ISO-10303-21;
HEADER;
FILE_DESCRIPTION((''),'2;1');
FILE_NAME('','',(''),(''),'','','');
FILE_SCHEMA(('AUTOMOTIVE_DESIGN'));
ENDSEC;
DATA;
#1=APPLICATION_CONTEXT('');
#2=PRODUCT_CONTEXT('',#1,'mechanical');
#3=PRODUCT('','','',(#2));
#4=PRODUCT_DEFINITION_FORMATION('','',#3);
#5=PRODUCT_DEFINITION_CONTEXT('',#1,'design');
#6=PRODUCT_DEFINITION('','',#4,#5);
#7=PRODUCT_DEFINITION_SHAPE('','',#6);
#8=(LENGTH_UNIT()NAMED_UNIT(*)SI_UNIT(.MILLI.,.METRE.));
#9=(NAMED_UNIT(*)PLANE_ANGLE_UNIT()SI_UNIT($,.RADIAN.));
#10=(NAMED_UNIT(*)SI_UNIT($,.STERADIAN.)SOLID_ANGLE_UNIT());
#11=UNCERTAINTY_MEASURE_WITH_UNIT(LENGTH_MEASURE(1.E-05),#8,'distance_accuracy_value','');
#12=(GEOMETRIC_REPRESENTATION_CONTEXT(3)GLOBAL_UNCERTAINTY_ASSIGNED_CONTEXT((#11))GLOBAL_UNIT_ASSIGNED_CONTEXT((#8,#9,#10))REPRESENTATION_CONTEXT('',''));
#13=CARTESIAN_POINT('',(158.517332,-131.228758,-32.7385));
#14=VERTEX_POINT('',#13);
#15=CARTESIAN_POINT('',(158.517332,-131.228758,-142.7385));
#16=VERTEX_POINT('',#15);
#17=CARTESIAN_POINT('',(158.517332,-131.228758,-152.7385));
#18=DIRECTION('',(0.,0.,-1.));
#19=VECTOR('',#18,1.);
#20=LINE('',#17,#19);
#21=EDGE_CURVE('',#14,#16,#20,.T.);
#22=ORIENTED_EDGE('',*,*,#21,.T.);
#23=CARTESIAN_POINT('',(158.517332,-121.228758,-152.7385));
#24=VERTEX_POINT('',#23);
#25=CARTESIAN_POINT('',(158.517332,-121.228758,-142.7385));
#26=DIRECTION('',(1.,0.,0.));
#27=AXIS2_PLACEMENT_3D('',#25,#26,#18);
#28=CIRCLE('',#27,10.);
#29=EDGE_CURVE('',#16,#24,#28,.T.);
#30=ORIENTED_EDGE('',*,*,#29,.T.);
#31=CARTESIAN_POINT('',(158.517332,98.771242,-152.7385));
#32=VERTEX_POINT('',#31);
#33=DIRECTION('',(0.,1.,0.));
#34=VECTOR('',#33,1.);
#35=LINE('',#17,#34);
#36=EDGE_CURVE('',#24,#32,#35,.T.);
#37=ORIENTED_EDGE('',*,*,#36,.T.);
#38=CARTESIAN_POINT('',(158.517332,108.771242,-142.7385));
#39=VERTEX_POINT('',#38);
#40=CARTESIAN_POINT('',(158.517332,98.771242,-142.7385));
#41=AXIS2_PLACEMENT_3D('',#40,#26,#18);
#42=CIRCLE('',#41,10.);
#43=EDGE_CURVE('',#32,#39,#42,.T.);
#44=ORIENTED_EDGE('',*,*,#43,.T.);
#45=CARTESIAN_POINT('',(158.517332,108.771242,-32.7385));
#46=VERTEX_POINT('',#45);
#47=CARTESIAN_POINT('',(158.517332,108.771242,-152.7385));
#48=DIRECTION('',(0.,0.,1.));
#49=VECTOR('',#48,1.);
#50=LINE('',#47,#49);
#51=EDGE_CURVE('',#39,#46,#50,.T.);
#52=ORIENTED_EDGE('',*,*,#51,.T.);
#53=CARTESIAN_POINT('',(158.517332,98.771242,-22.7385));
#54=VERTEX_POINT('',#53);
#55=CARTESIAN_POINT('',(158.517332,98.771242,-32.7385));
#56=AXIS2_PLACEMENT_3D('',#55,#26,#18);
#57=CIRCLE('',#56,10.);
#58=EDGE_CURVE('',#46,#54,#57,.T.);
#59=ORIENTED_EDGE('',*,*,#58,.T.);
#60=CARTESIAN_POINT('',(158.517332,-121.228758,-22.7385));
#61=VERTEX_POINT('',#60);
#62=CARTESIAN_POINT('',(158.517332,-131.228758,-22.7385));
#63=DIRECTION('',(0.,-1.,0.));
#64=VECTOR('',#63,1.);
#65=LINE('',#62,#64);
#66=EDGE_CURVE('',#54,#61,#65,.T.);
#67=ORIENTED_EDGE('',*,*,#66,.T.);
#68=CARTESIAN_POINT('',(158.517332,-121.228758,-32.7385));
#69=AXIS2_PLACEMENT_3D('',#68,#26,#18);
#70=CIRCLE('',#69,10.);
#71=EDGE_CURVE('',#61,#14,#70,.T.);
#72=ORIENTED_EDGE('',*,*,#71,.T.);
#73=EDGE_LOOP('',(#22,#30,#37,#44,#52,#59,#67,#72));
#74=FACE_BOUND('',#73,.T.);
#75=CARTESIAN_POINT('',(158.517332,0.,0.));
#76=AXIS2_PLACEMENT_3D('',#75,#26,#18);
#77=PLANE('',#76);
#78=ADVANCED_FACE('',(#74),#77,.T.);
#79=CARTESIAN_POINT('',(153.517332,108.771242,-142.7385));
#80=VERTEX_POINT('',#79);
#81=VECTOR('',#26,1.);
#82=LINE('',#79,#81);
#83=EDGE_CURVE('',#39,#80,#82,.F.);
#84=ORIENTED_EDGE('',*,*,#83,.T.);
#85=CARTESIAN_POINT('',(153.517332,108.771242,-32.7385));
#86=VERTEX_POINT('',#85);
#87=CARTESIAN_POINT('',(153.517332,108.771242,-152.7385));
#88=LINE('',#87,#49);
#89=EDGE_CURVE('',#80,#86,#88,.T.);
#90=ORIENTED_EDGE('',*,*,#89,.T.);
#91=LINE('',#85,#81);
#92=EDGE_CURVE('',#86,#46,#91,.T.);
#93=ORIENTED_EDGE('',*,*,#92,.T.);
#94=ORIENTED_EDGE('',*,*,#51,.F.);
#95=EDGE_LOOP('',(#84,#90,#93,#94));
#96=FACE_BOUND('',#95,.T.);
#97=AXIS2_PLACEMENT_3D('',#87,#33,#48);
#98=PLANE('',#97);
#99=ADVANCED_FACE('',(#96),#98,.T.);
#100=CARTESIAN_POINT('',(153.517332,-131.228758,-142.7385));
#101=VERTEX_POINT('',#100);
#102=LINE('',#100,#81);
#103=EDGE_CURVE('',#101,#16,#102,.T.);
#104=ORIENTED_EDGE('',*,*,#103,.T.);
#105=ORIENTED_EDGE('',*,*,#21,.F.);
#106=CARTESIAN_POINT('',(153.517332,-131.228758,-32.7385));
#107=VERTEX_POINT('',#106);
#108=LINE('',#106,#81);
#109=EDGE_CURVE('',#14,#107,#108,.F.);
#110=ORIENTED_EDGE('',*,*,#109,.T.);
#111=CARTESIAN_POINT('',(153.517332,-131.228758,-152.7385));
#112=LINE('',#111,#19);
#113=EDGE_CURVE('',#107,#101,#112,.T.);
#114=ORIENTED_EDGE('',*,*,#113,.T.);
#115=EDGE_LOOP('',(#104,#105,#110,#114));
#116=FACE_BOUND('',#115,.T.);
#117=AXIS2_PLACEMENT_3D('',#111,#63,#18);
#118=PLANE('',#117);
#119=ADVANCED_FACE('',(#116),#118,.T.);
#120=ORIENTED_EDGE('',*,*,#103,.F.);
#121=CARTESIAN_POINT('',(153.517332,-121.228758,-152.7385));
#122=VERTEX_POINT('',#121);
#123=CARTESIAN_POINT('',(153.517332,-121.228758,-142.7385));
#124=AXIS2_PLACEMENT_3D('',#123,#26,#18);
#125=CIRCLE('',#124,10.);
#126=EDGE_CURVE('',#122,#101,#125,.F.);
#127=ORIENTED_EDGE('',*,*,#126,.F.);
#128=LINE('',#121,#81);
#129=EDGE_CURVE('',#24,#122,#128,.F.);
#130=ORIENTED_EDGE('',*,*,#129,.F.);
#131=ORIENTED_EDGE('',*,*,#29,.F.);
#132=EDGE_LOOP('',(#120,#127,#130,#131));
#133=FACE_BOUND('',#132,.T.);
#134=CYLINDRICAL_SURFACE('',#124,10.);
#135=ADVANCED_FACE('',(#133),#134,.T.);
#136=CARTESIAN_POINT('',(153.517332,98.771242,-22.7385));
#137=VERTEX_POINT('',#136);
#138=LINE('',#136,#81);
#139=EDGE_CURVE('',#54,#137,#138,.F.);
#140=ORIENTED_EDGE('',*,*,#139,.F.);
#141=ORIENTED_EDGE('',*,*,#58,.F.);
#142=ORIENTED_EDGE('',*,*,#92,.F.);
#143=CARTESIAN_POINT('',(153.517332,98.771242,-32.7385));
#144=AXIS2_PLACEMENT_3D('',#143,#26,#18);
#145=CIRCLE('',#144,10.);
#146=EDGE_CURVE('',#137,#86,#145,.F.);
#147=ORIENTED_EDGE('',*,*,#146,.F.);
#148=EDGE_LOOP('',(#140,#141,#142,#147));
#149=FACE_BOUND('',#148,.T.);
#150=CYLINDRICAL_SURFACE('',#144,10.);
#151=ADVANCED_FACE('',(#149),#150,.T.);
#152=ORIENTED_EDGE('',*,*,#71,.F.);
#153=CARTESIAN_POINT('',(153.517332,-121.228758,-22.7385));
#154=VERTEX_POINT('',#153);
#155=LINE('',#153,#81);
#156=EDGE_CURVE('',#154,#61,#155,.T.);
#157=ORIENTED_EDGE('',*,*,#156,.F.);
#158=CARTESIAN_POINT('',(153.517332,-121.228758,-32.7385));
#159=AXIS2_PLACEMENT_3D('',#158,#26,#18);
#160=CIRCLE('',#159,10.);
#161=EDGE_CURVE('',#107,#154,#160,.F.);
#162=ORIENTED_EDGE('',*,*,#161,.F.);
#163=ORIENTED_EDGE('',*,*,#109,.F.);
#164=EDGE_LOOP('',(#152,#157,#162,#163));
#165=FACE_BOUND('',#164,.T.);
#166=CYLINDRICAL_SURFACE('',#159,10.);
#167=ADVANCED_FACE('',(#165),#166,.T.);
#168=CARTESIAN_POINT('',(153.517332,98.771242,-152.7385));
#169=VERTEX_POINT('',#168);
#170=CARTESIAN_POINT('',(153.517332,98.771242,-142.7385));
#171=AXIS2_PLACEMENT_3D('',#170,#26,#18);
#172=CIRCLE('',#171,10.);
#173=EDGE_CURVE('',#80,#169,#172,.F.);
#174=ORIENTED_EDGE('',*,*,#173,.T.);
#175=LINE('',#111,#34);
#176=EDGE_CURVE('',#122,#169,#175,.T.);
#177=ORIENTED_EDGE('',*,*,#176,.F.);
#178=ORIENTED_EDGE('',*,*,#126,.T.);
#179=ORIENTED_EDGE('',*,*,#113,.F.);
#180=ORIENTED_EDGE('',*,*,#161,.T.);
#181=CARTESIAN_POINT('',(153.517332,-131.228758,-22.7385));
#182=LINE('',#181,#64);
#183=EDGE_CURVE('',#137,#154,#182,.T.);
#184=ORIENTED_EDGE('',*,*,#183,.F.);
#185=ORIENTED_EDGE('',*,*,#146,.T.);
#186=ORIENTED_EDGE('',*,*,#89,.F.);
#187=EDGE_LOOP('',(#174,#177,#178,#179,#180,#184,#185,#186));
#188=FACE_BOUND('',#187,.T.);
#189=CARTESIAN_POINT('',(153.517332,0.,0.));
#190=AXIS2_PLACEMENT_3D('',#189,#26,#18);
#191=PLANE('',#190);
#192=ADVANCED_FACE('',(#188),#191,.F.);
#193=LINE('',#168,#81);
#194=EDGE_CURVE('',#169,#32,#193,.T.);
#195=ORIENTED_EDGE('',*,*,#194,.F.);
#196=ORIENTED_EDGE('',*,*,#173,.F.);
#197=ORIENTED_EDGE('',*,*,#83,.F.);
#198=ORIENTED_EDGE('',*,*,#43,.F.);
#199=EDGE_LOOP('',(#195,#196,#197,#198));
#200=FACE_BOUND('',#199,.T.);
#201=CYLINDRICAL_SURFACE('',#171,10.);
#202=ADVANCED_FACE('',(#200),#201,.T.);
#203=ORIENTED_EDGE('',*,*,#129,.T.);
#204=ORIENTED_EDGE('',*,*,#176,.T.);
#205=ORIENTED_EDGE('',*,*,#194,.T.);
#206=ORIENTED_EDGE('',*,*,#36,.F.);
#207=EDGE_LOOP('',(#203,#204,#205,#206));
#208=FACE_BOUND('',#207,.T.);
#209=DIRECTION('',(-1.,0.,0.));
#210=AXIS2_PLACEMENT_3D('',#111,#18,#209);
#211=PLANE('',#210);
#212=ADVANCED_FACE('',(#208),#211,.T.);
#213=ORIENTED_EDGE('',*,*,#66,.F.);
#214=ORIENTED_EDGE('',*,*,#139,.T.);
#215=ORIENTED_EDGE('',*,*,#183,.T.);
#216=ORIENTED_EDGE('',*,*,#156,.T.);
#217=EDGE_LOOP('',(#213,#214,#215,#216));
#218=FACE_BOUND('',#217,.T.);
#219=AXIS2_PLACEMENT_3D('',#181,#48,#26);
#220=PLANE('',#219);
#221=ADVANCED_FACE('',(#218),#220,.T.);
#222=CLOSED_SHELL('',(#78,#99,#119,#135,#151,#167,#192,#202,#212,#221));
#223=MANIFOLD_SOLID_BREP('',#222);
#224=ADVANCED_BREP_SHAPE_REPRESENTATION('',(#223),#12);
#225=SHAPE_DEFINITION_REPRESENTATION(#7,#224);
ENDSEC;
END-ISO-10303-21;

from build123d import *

# Parameters (mm, degrees)
SKETCH1_W           = 130
SKETCH1_H           = 240
BOSS_EXTRUDE1_DEPTH = 5
FILLET1_R           = 10


with BuildPart() as part:
    # Sketch1 → Boss-Extrude1 (new body)
    with BuildSketch(Plane(origin=(158.517331673, 0, 0), x_dir=(0, 0, -1), z_dir=(1, 0, 0))):
        with Locations((87.738499674, -11.228757924)):
            Rectangle(SKETCH1_W, SKETCH1_H)
    extrude(amount=-BOSS_EXTRUDE1_DEPTH)

    # Fillet1
    fillet1_edges = [part.edges().sort_by_distance(p)[0] for p in [
        (156.017331673, -131.228757924, -152.738499674),
        (156.017331673, -131.228757924, -22.738499674),
        (156.017331673, 108.771242076, -22.738499674),
        (156.017331673, 108.771242076, -152.738499674),
    ]]
    fillet(fillet1_edges, radius=FILLET1_R)


solid = part.part
